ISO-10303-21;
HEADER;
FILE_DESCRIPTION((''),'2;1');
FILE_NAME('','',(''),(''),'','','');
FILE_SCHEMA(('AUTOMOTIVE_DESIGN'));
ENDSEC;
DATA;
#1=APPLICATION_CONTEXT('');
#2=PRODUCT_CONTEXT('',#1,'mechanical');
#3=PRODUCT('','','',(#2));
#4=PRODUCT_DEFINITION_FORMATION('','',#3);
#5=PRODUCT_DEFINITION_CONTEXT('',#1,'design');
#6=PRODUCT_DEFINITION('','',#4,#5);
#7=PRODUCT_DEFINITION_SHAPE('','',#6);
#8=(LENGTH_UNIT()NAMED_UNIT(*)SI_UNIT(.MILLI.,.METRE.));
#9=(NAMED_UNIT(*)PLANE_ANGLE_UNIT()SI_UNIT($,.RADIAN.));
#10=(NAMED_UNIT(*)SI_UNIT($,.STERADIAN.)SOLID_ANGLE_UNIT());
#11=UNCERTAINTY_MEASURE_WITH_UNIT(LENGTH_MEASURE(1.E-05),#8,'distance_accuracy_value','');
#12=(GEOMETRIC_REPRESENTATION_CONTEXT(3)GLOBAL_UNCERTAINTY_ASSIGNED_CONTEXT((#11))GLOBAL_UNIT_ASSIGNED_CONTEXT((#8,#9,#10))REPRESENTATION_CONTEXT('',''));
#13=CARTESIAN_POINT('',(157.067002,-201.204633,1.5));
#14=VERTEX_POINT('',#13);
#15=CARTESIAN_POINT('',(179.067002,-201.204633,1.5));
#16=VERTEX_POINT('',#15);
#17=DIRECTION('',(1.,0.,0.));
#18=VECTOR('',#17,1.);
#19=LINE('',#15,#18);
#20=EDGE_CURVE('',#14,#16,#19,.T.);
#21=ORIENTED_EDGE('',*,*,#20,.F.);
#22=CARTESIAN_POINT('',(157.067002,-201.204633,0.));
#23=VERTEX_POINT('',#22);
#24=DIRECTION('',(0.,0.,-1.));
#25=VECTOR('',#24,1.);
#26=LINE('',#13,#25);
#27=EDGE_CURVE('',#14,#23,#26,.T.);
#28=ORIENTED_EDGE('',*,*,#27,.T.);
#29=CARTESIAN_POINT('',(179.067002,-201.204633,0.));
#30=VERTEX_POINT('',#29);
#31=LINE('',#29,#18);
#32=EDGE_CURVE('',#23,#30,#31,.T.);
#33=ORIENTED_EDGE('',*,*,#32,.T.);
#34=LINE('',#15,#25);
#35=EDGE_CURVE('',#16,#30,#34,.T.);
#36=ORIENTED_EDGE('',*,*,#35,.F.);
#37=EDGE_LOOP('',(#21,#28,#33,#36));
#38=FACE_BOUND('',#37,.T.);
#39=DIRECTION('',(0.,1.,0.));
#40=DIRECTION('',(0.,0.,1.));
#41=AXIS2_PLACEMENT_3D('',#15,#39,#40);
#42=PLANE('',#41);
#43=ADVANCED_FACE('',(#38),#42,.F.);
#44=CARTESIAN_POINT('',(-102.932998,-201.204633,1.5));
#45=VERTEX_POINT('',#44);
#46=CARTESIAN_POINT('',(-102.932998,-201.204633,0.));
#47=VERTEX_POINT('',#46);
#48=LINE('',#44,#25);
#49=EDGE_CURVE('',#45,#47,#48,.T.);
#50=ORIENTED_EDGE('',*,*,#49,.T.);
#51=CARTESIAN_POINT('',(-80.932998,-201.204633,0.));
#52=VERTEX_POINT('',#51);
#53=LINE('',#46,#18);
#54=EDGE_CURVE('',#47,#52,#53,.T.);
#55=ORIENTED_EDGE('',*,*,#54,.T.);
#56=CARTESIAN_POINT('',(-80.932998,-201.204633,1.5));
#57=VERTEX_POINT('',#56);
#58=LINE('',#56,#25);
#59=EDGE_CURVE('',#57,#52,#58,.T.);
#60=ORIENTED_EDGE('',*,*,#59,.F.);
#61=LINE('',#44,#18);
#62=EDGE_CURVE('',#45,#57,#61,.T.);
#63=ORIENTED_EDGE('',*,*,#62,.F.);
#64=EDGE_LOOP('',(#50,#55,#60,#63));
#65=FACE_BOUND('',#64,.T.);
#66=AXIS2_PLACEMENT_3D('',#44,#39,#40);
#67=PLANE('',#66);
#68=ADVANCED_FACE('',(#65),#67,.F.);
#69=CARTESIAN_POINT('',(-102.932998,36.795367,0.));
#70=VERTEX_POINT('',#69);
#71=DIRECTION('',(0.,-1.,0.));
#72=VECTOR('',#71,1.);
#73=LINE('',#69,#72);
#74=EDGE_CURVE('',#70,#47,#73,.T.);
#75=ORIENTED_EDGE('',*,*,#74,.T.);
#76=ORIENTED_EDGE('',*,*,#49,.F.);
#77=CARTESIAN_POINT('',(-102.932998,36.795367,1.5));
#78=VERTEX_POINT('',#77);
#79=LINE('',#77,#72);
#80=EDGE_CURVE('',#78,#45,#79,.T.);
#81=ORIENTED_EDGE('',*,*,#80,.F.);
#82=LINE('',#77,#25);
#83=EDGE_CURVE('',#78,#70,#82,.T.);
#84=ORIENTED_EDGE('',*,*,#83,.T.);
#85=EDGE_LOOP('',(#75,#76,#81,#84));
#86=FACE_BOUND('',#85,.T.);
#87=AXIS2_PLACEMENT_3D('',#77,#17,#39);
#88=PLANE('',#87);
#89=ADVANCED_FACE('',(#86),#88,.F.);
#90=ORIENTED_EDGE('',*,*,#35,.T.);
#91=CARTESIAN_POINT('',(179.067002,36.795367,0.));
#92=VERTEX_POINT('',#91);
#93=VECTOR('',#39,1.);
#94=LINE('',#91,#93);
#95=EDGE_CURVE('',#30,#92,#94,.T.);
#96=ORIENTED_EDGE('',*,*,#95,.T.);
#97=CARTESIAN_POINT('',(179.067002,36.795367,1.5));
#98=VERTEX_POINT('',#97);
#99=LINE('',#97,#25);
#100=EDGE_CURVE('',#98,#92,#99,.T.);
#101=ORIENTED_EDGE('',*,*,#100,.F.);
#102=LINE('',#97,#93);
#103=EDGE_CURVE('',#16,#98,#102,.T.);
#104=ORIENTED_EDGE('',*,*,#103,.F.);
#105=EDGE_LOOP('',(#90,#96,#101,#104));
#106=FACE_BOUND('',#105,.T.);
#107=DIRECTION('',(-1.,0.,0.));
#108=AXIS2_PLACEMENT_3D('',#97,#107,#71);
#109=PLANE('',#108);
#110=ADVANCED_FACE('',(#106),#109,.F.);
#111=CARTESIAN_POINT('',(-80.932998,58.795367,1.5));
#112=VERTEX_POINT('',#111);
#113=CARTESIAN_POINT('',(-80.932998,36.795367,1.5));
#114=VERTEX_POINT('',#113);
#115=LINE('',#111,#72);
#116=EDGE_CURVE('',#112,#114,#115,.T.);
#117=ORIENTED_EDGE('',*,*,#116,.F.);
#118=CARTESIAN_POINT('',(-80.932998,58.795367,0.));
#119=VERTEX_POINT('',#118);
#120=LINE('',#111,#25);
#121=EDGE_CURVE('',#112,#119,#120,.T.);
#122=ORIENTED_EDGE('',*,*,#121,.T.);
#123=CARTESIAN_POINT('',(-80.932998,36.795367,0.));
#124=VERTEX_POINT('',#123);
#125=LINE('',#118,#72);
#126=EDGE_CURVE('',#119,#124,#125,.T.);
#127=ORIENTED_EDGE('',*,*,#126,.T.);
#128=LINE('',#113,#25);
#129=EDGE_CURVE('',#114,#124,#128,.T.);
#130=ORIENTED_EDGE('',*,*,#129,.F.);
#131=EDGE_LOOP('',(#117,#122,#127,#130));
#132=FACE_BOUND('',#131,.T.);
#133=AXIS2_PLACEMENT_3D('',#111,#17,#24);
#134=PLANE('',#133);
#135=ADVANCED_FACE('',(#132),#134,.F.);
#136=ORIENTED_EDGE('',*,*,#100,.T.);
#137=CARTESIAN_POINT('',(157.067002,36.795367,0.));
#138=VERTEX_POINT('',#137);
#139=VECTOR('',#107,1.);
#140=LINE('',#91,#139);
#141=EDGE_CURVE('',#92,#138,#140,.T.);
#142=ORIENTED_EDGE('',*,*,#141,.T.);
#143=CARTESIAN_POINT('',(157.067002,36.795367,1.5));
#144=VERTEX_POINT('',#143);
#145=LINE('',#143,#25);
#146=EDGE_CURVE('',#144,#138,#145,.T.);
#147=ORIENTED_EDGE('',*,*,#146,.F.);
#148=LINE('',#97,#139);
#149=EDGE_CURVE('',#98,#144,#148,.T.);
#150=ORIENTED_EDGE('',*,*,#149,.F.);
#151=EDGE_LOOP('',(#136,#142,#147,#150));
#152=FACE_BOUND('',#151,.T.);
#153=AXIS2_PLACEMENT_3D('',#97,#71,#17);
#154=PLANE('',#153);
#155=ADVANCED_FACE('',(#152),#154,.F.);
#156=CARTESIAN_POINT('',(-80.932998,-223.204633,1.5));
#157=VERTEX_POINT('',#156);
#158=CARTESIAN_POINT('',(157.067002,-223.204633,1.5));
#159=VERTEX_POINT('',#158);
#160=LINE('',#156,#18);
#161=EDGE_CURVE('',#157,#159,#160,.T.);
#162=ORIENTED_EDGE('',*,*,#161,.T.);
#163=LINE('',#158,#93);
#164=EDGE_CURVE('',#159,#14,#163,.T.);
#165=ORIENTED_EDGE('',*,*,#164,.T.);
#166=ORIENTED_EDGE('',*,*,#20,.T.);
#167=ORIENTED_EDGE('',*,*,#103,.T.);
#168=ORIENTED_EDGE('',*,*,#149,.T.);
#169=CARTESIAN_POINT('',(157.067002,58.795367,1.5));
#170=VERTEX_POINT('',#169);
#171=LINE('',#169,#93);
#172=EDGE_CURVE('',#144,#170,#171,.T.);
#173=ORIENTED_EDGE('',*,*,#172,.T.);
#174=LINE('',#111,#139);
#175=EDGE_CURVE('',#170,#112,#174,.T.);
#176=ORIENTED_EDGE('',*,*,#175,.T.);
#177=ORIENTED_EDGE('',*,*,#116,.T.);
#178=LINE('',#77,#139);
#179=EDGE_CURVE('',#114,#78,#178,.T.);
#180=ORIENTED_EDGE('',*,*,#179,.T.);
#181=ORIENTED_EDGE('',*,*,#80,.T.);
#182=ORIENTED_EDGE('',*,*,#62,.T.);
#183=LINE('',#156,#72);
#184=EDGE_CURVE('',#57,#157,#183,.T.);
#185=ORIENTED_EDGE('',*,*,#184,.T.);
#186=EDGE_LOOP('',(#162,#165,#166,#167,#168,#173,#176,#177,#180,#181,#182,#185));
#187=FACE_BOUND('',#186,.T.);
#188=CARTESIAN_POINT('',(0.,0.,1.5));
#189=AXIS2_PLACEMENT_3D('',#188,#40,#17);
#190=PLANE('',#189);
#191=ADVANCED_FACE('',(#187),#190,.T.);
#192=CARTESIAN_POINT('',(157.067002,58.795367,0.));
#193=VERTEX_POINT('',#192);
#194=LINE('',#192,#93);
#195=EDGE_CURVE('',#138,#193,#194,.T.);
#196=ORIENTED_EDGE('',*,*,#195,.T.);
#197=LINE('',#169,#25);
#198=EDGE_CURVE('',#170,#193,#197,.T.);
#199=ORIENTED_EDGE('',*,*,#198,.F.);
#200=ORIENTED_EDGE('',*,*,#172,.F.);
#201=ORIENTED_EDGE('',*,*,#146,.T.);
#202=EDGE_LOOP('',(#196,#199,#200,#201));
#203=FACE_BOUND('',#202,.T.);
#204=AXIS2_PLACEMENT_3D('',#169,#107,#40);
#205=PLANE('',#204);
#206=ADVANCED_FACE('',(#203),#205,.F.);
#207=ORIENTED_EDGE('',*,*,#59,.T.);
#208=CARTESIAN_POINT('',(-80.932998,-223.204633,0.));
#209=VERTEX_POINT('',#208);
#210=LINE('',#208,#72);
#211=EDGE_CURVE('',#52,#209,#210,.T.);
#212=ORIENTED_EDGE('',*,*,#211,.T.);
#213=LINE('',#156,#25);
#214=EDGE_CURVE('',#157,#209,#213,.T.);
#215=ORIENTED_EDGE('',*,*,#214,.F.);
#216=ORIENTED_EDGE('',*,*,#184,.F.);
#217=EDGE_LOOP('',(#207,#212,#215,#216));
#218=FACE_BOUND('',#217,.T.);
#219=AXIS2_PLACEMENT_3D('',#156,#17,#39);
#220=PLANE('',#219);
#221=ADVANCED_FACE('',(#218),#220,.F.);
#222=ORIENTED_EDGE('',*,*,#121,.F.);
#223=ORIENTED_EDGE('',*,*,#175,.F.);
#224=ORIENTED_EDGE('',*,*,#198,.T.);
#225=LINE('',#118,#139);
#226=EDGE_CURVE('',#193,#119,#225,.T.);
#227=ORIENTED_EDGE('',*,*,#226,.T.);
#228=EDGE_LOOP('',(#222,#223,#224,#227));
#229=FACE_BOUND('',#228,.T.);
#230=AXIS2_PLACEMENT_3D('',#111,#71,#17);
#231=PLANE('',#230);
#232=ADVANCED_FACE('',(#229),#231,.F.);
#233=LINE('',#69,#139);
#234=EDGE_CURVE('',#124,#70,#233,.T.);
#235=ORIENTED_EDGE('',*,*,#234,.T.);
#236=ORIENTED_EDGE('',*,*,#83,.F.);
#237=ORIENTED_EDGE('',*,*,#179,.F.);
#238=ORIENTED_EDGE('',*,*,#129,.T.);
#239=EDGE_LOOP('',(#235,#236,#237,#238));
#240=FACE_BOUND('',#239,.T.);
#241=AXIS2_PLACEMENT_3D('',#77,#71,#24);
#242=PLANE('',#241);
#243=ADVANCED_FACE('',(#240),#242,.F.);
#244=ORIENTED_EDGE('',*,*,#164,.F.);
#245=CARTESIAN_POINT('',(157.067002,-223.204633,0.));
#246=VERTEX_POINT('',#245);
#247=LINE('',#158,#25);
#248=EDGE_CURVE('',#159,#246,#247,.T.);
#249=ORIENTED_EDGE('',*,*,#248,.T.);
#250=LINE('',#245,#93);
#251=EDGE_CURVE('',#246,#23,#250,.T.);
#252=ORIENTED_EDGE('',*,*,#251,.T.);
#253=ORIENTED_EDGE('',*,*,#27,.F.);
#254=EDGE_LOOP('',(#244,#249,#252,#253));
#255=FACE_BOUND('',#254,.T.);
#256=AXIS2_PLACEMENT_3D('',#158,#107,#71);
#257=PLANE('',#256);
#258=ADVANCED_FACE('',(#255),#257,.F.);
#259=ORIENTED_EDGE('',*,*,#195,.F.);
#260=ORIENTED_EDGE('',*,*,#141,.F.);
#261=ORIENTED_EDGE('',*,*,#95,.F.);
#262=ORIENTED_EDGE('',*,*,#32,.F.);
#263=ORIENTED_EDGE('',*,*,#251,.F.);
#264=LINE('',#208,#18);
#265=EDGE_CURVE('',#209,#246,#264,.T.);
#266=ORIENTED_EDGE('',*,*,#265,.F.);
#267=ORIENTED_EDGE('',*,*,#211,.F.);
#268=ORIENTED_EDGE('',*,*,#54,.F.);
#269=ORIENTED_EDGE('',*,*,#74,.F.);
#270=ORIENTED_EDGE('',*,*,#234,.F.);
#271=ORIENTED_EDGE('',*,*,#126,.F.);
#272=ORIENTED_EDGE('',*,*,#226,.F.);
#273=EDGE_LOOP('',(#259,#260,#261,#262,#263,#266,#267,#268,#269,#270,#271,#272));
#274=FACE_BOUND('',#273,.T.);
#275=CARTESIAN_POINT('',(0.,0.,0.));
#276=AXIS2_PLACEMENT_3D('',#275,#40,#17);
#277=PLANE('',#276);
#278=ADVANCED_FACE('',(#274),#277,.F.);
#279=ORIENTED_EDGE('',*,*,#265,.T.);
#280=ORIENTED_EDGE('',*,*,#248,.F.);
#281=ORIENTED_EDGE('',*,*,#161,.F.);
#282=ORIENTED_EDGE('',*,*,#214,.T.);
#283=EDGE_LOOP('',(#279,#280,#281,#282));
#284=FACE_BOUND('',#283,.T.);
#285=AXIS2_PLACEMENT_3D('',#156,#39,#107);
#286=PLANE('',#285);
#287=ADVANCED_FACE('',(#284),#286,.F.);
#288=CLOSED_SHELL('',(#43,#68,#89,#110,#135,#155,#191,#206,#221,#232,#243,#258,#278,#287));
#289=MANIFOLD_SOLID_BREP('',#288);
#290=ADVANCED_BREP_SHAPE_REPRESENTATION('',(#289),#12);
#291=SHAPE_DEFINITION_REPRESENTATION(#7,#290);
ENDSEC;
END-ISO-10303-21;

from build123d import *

# Parameters (mm, degrees)
EXTRUDE_1_DEPTH = 1.5


with BuildPart() as part:
    # 草圖1 → 填料-伸長1 (new body)
    with BuildSketch(Plane.XY):
        Polygon((-80.932998214, 58.795366795), (157.067001786, 58.795366795), (157.067001786, 36.795366795), (179.067001786, 36.795366795), (179.067001786, -201.204633205), (157.067001786, -201.204633205), (157.067001786, -223.204633205), (-80.932998214, -223.204633205), (-80.932998214, -201.204633205), (-102.932998214, -201.204633205), (-102.932998214, 36.795366795), (-80.932998214, 36.795366795), align=None)
    extrude(amount=EXTRUDE_1_DEPTH)


solid = part.part
